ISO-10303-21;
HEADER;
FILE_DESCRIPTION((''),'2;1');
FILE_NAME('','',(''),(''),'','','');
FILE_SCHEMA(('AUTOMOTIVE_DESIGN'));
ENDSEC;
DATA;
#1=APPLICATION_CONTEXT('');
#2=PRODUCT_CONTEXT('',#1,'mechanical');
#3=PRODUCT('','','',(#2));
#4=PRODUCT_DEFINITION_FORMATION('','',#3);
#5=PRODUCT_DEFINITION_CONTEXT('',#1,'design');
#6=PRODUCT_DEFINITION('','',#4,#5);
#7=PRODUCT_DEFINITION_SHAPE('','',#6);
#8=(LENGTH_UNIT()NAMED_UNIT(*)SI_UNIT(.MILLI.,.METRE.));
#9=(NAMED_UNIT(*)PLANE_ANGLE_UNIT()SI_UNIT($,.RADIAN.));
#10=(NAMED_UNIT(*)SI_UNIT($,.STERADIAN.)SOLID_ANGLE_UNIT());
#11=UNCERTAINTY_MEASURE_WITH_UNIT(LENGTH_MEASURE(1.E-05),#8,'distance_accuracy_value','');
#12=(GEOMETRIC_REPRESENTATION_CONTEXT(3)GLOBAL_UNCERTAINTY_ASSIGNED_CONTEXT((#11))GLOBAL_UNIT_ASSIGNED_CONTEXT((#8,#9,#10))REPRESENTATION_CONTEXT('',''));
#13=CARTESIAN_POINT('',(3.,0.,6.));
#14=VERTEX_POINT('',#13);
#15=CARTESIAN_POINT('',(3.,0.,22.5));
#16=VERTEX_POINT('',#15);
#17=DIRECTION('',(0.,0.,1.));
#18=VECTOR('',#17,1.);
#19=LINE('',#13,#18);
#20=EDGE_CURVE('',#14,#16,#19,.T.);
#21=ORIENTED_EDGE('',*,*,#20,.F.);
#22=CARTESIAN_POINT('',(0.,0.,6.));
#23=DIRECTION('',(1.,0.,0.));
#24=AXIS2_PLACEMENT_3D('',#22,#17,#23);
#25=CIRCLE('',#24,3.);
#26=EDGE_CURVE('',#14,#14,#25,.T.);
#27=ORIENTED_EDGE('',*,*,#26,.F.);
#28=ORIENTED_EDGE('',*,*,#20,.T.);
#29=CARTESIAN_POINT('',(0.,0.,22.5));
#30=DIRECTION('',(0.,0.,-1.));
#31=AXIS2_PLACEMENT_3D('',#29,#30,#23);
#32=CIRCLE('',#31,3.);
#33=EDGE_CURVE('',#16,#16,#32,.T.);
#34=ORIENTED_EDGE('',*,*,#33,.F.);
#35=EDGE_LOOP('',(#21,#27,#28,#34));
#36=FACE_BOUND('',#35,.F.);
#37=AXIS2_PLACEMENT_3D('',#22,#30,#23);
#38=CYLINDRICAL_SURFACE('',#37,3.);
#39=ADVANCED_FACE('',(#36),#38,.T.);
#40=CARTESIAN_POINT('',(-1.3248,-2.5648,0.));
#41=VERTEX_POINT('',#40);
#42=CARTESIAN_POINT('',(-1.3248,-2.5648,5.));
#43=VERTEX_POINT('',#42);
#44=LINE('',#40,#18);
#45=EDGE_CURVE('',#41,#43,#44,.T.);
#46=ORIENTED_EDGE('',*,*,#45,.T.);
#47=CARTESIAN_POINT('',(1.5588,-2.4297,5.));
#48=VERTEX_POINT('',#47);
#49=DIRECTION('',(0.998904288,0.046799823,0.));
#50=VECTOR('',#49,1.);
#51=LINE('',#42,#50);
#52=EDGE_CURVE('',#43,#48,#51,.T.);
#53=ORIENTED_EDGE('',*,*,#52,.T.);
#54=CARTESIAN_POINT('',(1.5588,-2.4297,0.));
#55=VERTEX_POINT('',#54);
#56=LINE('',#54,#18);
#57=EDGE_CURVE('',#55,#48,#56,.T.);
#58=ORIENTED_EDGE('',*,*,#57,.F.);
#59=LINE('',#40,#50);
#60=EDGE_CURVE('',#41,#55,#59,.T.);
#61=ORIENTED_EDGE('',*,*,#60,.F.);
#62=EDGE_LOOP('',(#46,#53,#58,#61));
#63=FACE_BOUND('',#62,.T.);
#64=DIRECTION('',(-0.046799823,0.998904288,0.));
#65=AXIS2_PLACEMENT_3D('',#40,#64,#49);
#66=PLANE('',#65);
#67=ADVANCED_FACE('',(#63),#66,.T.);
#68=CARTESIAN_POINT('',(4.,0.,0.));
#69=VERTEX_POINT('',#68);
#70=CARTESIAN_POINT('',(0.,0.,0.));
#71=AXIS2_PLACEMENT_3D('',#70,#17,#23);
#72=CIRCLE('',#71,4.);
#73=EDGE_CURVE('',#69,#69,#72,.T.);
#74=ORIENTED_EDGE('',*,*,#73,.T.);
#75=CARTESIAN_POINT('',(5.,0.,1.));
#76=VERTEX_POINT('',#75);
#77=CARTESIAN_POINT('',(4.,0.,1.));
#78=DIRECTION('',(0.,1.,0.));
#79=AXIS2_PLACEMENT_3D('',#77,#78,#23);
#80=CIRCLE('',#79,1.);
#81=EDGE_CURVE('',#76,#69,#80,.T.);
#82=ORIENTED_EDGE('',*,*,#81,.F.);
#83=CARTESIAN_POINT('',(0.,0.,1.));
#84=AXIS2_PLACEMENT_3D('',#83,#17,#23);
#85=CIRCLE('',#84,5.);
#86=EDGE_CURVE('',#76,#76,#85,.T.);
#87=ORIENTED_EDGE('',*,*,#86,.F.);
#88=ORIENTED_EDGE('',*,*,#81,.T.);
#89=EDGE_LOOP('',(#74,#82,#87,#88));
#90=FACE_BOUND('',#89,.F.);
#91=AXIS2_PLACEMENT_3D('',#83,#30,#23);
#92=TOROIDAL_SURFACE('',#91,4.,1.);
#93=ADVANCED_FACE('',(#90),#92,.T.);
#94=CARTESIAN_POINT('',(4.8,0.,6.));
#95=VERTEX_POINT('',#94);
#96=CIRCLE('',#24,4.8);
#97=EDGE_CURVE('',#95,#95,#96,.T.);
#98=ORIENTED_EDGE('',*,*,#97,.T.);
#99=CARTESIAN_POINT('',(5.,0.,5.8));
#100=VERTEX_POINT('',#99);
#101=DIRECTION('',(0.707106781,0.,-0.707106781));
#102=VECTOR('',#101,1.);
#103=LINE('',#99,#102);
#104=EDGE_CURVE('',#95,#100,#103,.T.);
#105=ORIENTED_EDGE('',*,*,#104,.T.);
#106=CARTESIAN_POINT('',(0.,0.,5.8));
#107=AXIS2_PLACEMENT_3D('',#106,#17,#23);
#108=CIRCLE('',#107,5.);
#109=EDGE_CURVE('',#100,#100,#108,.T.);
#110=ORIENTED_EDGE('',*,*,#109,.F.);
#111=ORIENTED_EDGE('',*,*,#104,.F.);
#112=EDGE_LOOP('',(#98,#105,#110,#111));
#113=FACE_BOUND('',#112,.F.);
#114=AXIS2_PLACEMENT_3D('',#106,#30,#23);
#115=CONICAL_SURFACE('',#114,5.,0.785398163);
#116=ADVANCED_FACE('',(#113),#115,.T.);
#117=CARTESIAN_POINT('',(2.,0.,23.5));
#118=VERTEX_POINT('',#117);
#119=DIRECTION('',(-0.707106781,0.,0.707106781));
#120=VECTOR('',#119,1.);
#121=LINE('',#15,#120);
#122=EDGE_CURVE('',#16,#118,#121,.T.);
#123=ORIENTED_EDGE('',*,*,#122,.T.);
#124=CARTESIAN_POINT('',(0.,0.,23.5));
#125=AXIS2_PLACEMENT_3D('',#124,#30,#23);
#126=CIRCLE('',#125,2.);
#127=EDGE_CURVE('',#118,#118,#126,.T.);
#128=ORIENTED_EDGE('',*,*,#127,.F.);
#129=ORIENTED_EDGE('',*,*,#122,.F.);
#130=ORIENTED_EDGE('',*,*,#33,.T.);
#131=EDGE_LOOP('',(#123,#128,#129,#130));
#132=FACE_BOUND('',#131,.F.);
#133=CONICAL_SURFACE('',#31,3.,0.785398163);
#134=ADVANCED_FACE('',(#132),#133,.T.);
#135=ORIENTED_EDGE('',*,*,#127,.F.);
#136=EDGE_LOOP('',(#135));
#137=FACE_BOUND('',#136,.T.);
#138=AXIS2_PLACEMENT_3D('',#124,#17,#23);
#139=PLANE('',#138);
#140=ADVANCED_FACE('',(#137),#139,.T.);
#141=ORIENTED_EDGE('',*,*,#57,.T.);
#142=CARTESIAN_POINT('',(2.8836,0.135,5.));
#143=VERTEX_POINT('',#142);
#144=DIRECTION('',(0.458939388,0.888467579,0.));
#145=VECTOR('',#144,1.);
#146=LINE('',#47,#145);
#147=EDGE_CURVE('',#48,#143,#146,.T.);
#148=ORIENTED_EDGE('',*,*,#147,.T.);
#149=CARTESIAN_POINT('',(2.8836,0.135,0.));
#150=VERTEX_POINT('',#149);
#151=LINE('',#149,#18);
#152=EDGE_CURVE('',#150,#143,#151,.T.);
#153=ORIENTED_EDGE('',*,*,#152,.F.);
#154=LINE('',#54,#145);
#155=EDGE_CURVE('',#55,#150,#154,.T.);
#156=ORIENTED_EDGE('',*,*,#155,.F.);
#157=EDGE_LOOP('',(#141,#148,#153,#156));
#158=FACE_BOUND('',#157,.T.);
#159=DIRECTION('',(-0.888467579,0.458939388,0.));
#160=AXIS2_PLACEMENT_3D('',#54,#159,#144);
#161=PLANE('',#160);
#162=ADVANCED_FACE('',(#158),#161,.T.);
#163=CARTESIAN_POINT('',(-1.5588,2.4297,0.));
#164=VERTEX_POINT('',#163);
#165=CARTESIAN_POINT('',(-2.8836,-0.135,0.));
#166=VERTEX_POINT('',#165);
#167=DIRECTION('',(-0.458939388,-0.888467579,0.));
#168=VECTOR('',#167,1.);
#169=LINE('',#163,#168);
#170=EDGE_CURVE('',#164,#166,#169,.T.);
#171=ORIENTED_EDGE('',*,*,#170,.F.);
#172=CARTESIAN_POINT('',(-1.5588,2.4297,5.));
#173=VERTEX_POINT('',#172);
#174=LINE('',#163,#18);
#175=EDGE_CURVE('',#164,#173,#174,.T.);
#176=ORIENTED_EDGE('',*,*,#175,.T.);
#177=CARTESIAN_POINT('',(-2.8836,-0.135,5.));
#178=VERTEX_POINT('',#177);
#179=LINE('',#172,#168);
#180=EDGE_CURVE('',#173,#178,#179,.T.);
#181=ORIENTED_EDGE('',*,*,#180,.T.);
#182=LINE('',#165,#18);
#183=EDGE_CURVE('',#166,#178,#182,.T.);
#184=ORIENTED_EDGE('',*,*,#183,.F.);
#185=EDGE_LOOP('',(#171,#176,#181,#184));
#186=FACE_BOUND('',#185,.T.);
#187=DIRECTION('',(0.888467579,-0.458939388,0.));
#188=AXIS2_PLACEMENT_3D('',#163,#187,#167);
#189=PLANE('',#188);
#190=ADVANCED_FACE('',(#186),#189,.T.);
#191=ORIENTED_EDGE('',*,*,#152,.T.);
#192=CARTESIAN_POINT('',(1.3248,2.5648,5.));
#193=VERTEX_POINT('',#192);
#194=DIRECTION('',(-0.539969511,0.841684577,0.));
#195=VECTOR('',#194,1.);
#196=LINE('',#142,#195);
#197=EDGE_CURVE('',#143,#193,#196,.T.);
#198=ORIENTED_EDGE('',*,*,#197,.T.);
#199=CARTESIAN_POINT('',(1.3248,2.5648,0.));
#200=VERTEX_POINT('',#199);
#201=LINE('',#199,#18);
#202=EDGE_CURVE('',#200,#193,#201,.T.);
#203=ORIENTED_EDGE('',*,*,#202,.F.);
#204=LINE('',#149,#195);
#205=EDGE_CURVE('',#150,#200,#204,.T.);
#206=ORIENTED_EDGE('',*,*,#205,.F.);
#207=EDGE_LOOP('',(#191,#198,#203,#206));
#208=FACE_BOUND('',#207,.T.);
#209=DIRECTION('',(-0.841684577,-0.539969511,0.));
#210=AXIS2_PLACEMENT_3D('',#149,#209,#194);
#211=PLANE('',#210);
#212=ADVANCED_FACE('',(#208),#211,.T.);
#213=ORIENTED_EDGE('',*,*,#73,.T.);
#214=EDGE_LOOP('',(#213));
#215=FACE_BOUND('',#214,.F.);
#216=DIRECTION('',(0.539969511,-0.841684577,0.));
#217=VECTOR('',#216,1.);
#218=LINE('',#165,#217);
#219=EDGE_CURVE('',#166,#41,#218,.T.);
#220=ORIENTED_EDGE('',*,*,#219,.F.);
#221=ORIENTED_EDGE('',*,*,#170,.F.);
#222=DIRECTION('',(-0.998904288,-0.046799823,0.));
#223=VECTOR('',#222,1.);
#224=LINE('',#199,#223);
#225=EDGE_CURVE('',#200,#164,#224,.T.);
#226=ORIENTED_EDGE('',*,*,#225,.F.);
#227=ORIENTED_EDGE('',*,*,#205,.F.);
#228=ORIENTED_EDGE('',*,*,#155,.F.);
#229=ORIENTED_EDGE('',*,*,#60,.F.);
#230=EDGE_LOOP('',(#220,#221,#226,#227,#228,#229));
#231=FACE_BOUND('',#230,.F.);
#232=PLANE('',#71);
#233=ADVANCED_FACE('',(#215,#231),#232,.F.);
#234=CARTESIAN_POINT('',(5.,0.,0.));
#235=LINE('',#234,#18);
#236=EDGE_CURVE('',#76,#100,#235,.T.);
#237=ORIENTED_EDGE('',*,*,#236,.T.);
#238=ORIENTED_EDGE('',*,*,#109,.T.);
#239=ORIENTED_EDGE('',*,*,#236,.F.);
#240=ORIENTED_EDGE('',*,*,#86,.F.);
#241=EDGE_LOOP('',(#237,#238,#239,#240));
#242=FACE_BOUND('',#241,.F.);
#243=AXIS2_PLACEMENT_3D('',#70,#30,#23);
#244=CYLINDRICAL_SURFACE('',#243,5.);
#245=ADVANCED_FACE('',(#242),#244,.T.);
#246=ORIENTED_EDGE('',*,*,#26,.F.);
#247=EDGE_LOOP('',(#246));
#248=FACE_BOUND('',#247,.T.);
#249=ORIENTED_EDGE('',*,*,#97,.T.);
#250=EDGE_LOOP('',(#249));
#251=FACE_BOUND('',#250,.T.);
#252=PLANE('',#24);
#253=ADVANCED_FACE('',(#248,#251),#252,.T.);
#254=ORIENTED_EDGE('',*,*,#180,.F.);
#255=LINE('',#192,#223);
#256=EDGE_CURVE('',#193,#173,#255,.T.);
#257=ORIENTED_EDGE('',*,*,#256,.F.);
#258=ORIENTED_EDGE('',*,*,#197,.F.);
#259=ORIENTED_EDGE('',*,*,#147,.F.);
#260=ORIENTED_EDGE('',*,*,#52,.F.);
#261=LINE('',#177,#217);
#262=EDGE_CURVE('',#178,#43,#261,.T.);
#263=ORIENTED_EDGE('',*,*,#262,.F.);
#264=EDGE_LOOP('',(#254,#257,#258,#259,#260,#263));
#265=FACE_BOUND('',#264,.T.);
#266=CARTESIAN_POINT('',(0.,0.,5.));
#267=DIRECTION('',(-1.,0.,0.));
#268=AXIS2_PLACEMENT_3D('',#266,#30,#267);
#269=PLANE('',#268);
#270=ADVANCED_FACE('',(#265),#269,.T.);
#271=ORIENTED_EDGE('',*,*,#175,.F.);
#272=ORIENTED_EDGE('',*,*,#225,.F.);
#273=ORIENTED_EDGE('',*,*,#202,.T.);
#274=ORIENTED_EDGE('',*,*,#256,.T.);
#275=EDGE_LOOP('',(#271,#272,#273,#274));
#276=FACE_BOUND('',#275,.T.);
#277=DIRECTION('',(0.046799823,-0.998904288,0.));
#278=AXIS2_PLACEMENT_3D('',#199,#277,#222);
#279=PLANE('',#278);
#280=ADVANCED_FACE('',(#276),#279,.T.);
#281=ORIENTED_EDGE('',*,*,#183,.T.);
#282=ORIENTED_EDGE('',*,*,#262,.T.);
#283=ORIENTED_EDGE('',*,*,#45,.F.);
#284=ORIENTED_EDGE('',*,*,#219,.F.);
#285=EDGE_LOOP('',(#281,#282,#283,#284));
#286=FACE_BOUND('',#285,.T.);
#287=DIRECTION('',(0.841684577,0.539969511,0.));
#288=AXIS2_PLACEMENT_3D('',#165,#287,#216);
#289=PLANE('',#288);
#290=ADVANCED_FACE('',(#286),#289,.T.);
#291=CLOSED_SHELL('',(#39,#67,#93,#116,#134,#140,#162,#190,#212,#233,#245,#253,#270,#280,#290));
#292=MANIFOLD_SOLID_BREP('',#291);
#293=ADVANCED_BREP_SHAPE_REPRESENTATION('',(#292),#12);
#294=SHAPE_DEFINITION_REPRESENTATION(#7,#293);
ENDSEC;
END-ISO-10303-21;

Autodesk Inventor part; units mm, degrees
ref_plane "YZ Plane" through (0, 0, 0) normal (1, 0, 0) x (0, 1, 0)
ref_plane "XZ Plane" through (0, 0, 0) normal (0, 1, 0) x (-1, 0, 0)
ref_plane "XY Plane" through (0, 0, 0) normal (0, 0, 1) x (1, 0, 0)
sketch "Sketch1" plane through (0, 0, 0) normal (0, 0, 1) x (1, 0, 0)
  circle A0 centre (0, 0) radius 5
  dimension "d0" = 10
extrude "Extrusion1" add sketch "Sketch1" along normal blind 6
sketch "Sketch2" plane through (0, 0, 6) normal (0, 0, 1) x (1, 0, 0)
  circle A0 centre (0, 0) radius 5 projected
  circle A1 centre (0, 0) radius 3
  dimension "d3" = 6
extrude "Extrusion2" add sketch "Sketch2" along normal blind 25 contours A1
thread "Thread1" size "M6x1" class "6g" standard "ANSI Metric M Profile" full length
chamfer "Chamfer1" distance 1 angle 45 1 edges at (-3, 0, 31)
chamfer "Chamfer2" distance 0.2 angle 45 1 edges at (-5, 0, 6)
fillet "Fillet1" radius 1 1 edges at (-5, 0, 0)
sketch "Sketch3" plane through (0, 0, 0) normal (0, 0, -1) x (-1, 0, 0)
  circle A0 centre (0, 0) radius 4 projected
  line L0 (1.5588, 2.4297) -> (2.8836, -0.135)
  line L1 (2.8836, -0.135) -> (1.3248, -2.5648)
  line L2 (1.3248, -2.5648) -> (-1.5588, -2.4297)
  line L3 (-1.5588, -2.4297) -> (-2.8836, 0.135)
  line L4 (-2.8836, 0.135) -> (-1.3248, 2.5648)
  line L5 (-1.3248, 2.5648) -> (1.5588, 2.4297)
  dimension "d15" = 5
extrude "Extrusion3" cut sketch "Sketch3" against normal blind 5 contours L0 L1 L2 L3 L4 L5
sketch "Boceto4" plane through (0, 0, 31) normal (0, 0, 1) x (1, 0, 0)
  circle A0 centre (0, 0) radius 12.7903
extrude "Extrusión4" cut sketch "Boceto4" against normal blind 7.5
chamfer "Chaflán3" distance 1 angle 45 1 edges at (-3, 0, 23.5)
properties part number "PERNO PARKER M5"
